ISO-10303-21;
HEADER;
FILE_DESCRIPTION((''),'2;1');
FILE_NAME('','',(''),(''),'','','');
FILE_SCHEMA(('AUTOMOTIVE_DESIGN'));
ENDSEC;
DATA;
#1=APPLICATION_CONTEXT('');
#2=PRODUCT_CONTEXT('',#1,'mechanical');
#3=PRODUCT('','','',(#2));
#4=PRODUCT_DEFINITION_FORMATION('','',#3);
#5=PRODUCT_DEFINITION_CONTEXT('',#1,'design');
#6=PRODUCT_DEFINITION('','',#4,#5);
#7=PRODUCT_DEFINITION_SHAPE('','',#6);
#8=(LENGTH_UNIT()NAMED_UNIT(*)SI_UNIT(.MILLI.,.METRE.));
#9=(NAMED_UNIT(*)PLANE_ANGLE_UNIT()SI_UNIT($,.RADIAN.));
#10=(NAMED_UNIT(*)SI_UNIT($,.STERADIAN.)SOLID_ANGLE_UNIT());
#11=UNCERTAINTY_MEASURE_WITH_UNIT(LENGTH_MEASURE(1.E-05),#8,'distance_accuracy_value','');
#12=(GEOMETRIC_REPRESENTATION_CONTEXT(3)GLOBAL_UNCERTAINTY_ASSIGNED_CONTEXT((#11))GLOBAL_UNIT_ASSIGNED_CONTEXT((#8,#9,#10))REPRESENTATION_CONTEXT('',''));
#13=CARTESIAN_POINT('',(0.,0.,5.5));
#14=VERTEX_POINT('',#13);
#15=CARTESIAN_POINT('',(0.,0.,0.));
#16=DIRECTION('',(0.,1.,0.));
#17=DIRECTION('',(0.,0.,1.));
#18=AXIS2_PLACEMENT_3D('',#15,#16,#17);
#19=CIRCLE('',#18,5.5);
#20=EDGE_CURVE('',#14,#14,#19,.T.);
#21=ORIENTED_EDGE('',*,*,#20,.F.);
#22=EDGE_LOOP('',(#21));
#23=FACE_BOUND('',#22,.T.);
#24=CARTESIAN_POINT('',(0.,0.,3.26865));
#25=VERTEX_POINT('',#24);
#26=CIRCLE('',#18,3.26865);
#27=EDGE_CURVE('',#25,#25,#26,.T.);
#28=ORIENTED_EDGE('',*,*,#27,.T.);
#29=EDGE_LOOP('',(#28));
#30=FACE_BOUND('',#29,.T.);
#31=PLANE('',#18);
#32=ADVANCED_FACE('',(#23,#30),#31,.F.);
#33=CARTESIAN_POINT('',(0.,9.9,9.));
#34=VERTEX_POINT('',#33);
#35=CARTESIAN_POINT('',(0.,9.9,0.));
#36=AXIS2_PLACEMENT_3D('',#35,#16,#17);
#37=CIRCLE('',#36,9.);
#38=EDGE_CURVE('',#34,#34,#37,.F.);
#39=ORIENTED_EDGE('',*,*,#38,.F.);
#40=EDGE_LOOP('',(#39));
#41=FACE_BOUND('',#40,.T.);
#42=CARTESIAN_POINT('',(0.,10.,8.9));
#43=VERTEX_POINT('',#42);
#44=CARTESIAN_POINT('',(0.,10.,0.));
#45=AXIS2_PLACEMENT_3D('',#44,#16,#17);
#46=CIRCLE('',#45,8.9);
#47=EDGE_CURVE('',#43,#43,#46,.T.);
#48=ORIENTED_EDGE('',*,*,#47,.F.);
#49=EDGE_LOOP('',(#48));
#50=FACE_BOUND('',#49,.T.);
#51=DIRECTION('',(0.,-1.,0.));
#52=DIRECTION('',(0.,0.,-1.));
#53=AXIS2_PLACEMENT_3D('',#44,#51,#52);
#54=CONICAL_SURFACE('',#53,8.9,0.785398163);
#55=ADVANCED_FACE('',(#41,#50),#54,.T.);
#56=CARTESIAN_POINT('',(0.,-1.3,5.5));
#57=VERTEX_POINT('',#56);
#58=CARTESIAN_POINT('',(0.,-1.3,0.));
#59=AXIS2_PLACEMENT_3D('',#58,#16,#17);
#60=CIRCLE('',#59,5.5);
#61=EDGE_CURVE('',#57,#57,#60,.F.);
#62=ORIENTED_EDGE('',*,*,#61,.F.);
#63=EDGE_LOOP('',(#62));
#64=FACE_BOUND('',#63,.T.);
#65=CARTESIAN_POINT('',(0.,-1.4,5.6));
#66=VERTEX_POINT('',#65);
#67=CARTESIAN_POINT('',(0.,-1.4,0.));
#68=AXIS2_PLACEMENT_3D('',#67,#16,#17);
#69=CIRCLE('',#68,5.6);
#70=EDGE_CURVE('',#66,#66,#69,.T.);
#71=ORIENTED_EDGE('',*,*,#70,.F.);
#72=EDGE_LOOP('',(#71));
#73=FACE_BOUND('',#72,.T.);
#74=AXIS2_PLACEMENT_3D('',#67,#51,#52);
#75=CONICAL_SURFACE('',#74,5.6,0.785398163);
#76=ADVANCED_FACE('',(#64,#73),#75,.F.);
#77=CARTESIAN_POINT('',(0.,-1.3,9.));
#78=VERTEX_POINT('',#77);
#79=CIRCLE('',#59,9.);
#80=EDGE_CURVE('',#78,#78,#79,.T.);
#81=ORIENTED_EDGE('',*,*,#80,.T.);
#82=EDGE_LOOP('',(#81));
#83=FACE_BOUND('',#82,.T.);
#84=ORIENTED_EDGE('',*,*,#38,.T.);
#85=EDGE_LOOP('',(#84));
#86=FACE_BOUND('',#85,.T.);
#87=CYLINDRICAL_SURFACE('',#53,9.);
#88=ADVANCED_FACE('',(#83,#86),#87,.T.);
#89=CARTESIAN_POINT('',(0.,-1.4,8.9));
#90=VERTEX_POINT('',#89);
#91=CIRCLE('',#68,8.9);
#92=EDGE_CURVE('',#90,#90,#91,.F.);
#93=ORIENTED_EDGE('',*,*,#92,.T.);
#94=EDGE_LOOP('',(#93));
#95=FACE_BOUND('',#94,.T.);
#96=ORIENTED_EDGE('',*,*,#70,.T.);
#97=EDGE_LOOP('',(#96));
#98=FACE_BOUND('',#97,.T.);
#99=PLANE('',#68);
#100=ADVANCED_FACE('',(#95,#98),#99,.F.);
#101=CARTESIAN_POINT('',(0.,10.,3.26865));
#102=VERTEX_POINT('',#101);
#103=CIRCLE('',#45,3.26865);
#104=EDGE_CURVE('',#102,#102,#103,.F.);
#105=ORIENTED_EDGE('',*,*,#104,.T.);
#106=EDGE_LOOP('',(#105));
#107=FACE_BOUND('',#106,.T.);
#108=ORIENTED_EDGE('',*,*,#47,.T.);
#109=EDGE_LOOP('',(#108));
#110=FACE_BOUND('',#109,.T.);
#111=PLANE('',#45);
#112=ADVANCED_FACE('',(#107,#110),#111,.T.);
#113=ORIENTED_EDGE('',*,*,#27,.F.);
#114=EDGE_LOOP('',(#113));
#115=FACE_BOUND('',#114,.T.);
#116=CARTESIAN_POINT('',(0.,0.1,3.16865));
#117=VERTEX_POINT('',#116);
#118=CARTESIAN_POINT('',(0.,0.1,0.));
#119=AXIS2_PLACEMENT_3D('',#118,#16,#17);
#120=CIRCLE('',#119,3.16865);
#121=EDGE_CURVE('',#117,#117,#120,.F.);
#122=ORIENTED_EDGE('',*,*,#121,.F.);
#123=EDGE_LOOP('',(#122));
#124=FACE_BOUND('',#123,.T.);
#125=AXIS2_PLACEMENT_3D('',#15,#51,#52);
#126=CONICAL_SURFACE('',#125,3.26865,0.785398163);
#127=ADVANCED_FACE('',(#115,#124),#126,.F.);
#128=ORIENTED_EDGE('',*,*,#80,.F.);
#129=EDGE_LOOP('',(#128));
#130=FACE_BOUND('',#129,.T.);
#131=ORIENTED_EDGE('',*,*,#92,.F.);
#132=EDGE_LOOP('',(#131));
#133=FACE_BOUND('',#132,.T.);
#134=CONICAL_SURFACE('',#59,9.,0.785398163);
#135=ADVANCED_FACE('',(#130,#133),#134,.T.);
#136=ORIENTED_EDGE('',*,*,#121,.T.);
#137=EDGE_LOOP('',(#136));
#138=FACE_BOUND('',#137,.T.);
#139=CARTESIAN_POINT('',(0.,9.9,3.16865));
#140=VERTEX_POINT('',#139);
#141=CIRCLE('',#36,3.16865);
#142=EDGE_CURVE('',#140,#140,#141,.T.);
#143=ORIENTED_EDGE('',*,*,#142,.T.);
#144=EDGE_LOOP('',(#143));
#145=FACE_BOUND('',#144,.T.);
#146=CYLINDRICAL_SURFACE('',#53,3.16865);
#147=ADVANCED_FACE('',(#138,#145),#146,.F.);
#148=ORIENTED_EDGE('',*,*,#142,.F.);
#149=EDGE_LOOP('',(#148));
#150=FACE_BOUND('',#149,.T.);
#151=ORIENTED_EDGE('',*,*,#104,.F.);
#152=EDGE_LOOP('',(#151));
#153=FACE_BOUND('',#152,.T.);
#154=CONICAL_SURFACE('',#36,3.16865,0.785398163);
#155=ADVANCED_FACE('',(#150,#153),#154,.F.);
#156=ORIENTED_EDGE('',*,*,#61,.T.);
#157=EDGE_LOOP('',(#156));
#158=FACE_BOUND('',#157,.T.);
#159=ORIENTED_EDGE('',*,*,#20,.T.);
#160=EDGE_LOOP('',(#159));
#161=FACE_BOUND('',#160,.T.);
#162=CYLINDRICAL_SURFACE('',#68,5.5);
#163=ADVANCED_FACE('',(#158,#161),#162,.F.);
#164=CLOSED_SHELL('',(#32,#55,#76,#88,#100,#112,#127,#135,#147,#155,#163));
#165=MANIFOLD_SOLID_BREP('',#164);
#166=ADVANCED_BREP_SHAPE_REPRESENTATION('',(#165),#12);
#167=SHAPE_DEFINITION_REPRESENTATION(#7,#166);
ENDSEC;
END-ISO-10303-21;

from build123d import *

# Parameters (mm, degrees)
MAIN_DIMENSIONS_SKETCH_R   = 9
MAIN_DIMENSIONS_SKETCH_R_2 = 3.16865
BODY_DEPTH                 = 10
LIP_START                  = -1.4
SKETCH1_3_R                = 9
SKETCH1_3_R_2              = 5.5
LIP_DEPTH                  = 1.4
BREAK_EDGES_SIZE           = 0.1


with BuildPart() as part:
    # main_dimensions_sketch → body (new body)
    with BuildSketch(Plane(origin=(0, 0, 0), x_dir=(1, 0, 0), z_dir=(0, 1, 0))):
        Circle(MAIN_DIMENSIONS_SKETCH_R)
        Circle(MAIN_DIMENSIONS_SKETCH_R_2, mode=Mode.SUBTRACT)
    extrude(amount=BODY_DEPTH)

    # Sketch1<3> → lip (add)
    with BuildSketch(Plane(origin=(0, 0, 0), x_dir=(1, 0, 0), z_dir=(0, 1, 0)).offset(LIP_START)):
        Circle(SKETCH1_3_R)
        Circle(SKETCH1_3_R_2, mode=Mode.SUBTRACT)
    extrude(amount=LIP_DEPTH)

    # break_edges
    break_edges_edges = [part.edges().sort_by_distance(p)[0] for p in [
        (-9, -1.4, 0),
        (-5.5, -1.4, 0),
        (-3.16865, 10, 0),
        (-9, 10, 0),
        (-3.16865, 0, 0),
    ]]
    chamfer(break_edges_edges, length=BREAK_EDGES_SIZE)


solid = part.part
